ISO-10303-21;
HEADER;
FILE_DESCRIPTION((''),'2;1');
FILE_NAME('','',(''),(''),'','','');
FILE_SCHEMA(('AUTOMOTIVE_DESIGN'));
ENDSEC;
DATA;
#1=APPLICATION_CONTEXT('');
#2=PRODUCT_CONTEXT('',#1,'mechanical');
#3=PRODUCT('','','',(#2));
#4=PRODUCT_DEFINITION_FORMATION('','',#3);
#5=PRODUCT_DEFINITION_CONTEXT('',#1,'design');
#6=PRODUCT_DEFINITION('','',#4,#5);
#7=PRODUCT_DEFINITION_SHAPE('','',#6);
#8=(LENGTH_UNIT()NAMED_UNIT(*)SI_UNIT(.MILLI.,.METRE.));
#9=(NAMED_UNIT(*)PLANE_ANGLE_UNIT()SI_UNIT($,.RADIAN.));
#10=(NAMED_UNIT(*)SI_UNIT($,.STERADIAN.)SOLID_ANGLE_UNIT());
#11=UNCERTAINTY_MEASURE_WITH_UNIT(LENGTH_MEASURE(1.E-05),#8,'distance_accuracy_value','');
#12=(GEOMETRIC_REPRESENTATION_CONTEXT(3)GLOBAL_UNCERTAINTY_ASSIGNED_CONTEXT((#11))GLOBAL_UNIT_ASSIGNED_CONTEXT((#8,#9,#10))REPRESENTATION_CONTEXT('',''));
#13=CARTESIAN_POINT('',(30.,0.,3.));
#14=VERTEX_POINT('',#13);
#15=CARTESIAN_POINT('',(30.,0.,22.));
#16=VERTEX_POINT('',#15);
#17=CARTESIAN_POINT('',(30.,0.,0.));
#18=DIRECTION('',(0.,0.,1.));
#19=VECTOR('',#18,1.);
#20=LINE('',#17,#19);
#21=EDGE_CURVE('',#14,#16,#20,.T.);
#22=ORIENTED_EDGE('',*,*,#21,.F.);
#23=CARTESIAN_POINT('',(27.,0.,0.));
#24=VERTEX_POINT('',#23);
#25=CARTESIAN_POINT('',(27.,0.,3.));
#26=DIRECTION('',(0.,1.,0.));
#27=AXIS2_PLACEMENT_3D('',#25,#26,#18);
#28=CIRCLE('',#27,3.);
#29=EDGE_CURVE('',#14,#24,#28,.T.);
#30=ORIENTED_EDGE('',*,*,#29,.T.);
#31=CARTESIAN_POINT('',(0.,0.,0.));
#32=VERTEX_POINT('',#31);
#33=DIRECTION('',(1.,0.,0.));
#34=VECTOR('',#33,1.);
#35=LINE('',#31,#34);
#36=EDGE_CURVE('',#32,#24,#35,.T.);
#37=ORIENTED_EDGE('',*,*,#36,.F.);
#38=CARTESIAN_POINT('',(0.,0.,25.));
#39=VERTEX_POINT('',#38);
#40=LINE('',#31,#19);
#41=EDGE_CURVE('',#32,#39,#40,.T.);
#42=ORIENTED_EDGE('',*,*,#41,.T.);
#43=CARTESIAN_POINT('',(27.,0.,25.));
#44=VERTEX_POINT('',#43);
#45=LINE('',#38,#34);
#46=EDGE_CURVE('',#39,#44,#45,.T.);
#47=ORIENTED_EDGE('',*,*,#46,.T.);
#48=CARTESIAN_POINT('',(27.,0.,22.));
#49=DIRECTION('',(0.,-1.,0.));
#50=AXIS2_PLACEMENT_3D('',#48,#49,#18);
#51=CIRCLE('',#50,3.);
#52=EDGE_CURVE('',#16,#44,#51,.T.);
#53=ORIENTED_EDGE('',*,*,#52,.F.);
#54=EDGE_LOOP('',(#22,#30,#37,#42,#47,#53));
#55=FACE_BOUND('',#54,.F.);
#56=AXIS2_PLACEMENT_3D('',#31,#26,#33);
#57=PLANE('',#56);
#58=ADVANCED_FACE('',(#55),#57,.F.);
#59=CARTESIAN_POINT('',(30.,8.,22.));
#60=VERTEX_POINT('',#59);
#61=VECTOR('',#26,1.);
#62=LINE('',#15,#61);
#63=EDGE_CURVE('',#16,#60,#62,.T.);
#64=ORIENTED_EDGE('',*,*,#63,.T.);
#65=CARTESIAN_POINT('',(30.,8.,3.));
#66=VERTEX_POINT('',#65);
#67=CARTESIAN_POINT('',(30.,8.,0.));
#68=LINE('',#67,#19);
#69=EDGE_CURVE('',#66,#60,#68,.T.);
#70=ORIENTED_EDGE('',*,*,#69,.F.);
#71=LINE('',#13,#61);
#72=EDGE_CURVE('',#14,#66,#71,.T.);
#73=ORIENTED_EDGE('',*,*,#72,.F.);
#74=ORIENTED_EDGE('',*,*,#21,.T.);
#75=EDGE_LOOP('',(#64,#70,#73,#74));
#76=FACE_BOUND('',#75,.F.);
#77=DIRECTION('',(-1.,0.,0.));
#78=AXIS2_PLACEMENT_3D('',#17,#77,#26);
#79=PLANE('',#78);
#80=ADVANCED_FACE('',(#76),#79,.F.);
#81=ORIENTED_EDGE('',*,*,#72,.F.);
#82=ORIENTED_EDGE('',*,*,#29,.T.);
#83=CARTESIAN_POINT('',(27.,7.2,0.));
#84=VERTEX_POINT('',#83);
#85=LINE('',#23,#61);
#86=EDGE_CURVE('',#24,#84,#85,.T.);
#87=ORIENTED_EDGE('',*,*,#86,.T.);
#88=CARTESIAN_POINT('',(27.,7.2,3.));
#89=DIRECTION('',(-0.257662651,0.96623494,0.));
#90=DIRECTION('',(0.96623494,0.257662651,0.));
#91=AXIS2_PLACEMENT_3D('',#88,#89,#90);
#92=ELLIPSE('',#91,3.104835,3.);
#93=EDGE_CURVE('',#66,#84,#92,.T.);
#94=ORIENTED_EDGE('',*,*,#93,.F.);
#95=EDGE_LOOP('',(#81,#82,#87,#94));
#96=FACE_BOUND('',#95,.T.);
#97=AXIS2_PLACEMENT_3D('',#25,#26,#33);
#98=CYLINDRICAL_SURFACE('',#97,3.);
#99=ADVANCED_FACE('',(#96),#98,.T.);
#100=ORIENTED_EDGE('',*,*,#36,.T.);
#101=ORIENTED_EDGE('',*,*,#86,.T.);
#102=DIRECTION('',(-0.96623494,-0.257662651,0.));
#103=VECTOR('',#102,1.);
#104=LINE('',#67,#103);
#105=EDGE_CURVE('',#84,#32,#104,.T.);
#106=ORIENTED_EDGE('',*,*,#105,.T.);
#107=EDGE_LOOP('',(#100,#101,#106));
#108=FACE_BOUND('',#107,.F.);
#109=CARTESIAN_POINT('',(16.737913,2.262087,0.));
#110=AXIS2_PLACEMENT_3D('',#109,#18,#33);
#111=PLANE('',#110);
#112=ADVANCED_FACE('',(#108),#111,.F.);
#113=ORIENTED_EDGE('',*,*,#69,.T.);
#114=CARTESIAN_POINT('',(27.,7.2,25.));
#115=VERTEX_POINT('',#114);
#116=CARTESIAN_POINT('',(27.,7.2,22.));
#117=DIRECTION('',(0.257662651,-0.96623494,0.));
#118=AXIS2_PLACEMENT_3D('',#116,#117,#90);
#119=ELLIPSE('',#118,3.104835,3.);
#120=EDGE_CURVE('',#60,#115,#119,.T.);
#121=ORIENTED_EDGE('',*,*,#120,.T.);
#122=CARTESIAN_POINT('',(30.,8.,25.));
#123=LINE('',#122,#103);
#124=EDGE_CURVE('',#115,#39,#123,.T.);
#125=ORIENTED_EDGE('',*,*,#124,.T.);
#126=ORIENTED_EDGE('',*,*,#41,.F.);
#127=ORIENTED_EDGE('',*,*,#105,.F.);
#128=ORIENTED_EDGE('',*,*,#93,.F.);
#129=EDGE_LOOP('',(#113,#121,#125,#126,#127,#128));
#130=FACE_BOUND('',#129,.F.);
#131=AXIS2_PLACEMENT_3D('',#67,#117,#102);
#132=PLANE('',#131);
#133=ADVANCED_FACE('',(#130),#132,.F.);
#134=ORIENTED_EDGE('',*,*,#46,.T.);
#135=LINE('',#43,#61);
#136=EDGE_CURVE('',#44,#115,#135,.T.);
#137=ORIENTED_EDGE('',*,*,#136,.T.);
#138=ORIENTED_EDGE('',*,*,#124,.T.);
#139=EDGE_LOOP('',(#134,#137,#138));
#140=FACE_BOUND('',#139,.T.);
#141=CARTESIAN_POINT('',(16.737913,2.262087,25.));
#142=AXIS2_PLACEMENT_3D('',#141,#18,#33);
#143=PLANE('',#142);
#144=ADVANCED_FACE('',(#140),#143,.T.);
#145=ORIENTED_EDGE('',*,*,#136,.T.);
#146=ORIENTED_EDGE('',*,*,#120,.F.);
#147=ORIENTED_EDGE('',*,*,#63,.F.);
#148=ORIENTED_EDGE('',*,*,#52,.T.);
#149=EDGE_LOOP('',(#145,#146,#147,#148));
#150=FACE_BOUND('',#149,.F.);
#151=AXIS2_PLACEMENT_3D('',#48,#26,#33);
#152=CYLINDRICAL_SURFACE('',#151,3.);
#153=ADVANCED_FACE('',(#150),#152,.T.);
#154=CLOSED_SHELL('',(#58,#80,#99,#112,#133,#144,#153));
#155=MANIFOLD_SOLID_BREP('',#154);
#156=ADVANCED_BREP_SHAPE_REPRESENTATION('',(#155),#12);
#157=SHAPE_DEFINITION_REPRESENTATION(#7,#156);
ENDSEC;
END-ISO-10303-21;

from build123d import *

# Parameters (mm, degrees)
F1_DEPTH = 25
F2_R     = 3


with BuildPart() as f1:
    # F0 (on Top) → F1 (new body)
    with BuildSketch(Plane.XY):
        Polygon((30, 8), (0, 0), (30, 0), align=None)
    extrude(amount=F1_DEPTH)

    # F2
    f2_edges = [f1.edges().sort_by_distance(p)[0] for p in [
        (30, 4, 25),
        (30, 4, 0),
    ]]
    fillet(f2_edges, radius=F2_R)


solid = f1.part
